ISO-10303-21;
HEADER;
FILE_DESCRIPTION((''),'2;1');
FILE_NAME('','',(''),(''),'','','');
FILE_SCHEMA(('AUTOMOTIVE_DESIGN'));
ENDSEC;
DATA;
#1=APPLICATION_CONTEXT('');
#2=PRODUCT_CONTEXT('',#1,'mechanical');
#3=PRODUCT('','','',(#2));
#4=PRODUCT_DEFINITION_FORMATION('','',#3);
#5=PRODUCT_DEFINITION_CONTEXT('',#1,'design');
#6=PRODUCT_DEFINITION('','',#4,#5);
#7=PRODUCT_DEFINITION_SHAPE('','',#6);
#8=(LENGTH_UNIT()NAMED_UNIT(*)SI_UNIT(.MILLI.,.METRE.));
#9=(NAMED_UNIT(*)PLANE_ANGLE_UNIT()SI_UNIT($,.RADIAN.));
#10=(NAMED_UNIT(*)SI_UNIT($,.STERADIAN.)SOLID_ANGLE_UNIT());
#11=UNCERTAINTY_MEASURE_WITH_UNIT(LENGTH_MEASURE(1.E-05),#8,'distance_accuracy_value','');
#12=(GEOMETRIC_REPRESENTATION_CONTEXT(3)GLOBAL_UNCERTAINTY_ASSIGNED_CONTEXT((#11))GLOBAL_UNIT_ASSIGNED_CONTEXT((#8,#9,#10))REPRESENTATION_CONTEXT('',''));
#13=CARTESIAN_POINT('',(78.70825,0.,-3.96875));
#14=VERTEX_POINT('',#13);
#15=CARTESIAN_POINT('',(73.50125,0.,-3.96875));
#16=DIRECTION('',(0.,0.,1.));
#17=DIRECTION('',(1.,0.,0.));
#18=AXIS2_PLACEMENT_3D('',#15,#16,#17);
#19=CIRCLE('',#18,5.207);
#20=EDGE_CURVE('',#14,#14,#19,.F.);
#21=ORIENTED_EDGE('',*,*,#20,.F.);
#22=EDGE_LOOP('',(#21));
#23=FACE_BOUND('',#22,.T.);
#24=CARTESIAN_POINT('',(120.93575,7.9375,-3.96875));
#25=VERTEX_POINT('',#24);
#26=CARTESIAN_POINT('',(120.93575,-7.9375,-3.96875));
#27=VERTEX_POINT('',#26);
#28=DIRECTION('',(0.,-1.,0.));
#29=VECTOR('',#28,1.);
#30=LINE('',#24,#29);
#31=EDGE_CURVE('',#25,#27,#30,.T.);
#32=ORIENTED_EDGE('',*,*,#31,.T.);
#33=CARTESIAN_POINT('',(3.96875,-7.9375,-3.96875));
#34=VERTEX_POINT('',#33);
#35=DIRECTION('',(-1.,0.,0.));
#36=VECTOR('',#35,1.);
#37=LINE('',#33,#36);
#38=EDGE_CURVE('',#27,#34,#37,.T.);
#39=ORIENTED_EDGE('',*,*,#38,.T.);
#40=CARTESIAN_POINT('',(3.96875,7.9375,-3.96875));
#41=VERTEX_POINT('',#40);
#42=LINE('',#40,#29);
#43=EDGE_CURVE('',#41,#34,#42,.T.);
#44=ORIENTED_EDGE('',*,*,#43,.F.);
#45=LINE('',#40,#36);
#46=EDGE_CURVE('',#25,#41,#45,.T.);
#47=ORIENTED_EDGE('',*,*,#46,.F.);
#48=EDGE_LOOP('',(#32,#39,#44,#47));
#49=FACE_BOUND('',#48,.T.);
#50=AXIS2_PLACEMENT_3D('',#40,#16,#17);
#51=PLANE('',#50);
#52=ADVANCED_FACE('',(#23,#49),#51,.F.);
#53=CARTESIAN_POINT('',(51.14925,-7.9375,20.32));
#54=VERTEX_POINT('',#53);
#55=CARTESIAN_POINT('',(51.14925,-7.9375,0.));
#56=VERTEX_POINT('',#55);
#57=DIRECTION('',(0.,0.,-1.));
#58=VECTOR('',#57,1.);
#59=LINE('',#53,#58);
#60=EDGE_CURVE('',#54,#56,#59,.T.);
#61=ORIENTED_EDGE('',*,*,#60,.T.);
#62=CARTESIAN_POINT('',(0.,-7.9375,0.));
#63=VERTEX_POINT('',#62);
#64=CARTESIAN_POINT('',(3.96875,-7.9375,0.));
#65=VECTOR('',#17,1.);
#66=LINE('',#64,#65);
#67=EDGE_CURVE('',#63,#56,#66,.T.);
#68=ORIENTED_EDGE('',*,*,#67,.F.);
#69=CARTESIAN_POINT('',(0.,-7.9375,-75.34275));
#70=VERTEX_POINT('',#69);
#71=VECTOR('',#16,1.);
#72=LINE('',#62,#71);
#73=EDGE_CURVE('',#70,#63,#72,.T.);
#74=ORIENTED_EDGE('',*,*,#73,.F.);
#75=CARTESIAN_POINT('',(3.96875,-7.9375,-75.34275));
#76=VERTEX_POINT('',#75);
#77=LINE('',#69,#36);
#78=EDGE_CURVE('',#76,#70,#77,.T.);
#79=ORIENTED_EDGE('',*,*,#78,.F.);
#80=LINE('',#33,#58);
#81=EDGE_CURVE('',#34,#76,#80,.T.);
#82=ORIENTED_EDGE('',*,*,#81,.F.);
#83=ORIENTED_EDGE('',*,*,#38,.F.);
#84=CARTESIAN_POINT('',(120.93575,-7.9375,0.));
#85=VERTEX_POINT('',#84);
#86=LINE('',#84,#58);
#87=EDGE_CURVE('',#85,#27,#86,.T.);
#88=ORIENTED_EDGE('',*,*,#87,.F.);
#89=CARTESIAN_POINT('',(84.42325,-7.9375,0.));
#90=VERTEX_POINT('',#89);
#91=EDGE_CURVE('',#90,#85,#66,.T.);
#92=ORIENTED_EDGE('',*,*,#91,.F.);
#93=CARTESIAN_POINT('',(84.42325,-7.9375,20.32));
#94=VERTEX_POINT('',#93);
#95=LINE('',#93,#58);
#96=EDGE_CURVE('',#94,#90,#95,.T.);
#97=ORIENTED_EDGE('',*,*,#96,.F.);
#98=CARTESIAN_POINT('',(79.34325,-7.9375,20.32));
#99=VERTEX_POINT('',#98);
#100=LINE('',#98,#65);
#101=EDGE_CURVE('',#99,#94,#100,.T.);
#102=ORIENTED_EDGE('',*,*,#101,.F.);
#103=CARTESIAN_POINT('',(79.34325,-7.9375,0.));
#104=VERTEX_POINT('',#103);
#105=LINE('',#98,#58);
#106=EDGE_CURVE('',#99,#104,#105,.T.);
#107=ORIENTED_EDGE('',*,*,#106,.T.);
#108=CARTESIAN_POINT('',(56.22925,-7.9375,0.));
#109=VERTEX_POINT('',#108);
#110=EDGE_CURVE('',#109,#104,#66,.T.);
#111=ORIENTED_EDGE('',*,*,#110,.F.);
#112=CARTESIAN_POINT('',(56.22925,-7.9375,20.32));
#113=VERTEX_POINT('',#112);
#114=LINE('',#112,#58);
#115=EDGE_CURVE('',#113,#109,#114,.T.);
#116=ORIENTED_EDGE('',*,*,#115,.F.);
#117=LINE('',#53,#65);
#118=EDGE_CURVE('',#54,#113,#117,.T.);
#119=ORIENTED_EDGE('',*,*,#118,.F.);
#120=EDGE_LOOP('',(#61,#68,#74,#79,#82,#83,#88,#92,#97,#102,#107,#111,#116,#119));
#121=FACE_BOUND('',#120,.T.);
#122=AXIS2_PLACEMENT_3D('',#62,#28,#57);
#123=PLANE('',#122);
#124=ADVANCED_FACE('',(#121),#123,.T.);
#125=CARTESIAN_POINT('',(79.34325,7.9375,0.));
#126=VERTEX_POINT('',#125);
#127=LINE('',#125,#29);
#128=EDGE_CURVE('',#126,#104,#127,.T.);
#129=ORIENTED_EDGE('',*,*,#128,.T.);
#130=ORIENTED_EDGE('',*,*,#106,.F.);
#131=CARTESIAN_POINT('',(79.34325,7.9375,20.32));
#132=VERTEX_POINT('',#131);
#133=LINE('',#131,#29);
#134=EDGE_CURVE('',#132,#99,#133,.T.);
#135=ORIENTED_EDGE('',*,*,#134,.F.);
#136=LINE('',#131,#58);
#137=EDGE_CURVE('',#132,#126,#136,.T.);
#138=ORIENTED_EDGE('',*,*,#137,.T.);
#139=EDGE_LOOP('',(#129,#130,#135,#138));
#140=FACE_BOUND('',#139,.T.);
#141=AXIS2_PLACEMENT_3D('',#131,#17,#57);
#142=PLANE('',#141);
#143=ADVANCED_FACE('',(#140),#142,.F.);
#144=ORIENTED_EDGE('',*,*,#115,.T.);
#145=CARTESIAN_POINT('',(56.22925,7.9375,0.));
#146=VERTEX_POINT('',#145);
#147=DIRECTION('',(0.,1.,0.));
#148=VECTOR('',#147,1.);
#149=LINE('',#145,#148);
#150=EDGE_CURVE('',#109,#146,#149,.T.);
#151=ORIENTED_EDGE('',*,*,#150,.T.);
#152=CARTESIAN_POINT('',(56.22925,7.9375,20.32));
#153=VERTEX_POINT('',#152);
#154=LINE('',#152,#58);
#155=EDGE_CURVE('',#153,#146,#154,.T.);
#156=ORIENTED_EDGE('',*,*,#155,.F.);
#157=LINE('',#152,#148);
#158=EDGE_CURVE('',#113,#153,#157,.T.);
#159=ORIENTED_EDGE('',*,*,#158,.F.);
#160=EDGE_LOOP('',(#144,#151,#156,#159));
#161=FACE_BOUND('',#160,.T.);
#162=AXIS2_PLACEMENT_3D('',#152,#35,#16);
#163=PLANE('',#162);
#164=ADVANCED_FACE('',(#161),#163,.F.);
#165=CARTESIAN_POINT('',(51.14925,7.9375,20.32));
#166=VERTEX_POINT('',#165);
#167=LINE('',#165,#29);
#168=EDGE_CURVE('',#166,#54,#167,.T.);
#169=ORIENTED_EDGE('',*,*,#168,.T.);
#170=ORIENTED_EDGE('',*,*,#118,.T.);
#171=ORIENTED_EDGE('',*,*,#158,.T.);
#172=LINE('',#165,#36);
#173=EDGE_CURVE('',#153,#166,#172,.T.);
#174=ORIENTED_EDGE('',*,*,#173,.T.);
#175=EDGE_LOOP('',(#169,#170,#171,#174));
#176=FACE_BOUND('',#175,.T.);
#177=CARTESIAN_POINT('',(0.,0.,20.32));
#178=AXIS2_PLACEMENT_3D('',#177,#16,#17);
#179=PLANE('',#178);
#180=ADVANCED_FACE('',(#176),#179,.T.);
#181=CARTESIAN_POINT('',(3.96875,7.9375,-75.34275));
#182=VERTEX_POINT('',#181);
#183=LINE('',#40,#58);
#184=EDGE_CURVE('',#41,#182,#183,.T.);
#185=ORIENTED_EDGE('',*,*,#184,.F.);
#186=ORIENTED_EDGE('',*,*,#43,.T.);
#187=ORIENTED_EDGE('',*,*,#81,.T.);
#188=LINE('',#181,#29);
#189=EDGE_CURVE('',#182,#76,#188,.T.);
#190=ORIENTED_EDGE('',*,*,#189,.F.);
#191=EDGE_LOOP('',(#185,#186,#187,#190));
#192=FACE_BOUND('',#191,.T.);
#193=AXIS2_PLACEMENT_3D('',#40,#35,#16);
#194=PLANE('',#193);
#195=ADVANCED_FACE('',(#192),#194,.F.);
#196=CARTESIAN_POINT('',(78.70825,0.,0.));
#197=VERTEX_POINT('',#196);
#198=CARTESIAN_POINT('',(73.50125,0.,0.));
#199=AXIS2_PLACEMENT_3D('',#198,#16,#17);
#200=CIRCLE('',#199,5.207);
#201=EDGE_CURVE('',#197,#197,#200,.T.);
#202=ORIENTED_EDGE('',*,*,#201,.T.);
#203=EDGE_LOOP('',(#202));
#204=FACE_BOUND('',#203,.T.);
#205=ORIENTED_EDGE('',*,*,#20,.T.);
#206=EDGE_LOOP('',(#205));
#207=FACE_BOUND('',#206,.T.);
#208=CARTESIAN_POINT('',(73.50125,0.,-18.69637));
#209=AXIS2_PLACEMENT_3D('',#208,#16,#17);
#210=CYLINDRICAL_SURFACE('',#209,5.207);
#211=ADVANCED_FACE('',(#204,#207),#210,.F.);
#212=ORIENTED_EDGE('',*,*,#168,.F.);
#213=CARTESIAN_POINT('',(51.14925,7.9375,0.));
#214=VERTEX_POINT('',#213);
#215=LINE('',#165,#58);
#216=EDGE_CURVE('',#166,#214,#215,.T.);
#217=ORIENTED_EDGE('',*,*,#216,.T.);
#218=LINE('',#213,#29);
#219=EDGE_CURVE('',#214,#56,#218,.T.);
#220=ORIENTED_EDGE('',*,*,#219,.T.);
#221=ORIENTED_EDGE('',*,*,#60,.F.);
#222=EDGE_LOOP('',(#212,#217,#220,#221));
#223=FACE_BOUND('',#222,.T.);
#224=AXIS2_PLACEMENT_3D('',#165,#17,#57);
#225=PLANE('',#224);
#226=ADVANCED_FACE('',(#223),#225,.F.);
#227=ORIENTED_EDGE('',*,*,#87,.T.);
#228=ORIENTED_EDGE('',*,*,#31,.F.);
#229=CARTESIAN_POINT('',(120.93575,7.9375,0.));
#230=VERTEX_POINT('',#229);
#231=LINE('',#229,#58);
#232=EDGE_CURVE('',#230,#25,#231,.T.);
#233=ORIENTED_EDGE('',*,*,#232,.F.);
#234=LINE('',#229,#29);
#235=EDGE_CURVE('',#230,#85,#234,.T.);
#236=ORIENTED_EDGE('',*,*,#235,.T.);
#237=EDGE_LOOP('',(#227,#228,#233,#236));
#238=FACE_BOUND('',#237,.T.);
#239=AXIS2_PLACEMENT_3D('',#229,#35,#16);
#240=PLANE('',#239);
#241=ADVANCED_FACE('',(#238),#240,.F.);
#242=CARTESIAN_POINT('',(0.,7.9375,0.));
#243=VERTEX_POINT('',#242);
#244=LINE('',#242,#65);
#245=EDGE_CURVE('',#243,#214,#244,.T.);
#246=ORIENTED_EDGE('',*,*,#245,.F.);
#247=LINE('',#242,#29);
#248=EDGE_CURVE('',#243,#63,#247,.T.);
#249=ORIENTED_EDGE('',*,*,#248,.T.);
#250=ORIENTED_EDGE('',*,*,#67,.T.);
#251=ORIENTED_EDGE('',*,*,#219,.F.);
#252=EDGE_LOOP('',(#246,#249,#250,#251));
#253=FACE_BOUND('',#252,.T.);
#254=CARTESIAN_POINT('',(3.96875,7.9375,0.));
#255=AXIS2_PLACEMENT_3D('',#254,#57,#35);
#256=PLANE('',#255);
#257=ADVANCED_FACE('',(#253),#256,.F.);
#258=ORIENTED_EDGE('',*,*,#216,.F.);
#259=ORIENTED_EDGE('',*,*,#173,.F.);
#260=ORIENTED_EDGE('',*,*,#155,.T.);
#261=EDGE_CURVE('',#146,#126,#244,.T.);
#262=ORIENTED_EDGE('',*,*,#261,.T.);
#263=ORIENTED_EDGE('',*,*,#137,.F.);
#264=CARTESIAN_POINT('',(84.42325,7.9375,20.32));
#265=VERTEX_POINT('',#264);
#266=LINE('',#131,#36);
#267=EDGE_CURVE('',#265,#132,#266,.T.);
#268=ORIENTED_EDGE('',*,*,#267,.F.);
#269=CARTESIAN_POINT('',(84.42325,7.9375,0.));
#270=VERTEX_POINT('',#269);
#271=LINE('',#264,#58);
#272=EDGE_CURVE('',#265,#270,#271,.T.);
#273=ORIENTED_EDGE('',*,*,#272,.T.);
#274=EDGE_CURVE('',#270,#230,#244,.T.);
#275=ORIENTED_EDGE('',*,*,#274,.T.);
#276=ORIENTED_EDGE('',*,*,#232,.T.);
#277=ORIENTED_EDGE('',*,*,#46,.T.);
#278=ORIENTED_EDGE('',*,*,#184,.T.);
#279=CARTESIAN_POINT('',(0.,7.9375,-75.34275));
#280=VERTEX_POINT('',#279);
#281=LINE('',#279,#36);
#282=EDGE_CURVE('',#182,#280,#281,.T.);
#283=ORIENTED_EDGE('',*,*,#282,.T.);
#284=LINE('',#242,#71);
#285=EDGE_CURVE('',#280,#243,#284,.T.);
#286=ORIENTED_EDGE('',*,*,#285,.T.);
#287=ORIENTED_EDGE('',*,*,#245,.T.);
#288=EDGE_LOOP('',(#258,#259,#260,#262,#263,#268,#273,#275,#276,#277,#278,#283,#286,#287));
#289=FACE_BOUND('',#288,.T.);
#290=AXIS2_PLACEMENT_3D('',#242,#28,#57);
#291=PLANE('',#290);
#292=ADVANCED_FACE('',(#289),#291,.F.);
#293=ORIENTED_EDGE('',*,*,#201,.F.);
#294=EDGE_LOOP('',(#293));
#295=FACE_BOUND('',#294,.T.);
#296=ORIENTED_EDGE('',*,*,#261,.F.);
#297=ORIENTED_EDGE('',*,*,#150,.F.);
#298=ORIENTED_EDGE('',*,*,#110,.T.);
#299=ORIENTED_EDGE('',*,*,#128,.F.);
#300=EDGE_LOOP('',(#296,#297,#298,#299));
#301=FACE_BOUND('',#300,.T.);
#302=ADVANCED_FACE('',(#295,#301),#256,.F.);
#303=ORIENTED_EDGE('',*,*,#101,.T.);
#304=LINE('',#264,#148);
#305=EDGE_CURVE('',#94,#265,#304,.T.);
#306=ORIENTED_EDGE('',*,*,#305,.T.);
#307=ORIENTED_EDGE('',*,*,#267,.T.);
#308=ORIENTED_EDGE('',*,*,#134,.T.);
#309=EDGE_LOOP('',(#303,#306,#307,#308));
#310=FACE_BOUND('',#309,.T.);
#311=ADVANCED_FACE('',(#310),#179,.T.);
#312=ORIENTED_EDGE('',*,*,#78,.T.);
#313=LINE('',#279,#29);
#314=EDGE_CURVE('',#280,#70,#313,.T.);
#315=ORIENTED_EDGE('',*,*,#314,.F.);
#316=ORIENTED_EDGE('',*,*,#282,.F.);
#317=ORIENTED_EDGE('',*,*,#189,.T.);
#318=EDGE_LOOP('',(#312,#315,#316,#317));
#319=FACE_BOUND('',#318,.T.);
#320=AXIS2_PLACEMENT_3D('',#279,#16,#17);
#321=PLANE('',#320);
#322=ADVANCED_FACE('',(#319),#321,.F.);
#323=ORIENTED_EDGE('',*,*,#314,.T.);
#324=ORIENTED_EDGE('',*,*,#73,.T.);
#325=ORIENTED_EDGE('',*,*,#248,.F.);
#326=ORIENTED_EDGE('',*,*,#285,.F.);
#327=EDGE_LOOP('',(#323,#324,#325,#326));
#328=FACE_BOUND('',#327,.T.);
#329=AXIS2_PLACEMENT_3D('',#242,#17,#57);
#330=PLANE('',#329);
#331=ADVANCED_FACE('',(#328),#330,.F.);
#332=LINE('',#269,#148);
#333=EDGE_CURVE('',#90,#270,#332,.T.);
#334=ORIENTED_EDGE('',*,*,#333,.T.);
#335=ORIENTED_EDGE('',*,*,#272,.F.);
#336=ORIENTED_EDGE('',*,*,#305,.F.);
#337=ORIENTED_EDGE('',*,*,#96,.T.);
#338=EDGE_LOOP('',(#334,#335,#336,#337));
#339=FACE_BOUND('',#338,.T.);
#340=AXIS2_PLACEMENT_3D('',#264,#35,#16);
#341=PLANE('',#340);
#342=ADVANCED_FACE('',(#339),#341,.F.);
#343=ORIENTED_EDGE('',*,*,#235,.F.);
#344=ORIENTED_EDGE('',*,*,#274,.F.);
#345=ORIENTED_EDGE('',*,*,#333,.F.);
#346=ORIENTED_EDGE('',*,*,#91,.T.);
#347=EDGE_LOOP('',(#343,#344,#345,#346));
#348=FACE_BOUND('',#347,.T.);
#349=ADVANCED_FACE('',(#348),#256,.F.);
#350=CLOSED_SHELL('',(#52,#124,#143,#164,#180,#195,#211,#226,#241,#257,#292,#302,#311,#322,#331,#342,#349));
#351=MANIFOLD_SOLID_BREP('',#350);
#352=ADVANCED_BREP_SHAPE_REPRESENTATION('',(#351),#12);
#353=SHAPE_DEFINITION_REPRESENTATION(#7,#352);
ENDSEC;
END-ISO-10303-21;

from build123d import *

# Parameters (mm, degrees)
BOSS_EXTRUDE1_DEPTH = 7.9375
SKETCH2_R           = 5.207
CUT_EXTRUDE1_DEPTH  = 3.96875
SKETCH4_W           = 5.08
SKETCH4_H           = 15.875
BOSS_EXTRUDE2_DEPTH = 20.32


with BuildPart() as part:
    # Sketch1 → Boss-Extrude1 (new, symmetric)
    with BuildSketch(Plane(origin=(0, 0, 0), x_dir=(1, 0, 0), z_dir=(0, 1, 0))):
        Polygon((0, 0), (3.96875, 0), (120.93575, 0), (120.93575, 3.96875), (3.96875, 3.96875), (3.96875, 75.34275), (0, 75.34275), align=None)
    extrude(amount=BOSS_EXTRUDE1_DEPTH, both=True)

    # Sketch2 → Cut-Extrude1 (cut)
    with BuildSketch(Plane.XY):
        with Locations((73.50125, 0)):
            Circle(SKETCH2_R)
    extrude(amount=-CUT_EXTRUDE1_DEPTH, mode=Mode.SUBTRACT)

    # Sketch4 → Boss-Extrude2 (add)
    with BuildSketch(Plane.XY):
        with Locations((53.68925, 0)):
            Rectangle(SKETCH4_W, SKETCH4_H)
        with Locations((81.88325, 0)):
            Rectangle(SKETCH4_W, SKETCH4_H)
    extrude(amount=BOSS_EXTRUDE2_DEPTH)


solid = part.part
